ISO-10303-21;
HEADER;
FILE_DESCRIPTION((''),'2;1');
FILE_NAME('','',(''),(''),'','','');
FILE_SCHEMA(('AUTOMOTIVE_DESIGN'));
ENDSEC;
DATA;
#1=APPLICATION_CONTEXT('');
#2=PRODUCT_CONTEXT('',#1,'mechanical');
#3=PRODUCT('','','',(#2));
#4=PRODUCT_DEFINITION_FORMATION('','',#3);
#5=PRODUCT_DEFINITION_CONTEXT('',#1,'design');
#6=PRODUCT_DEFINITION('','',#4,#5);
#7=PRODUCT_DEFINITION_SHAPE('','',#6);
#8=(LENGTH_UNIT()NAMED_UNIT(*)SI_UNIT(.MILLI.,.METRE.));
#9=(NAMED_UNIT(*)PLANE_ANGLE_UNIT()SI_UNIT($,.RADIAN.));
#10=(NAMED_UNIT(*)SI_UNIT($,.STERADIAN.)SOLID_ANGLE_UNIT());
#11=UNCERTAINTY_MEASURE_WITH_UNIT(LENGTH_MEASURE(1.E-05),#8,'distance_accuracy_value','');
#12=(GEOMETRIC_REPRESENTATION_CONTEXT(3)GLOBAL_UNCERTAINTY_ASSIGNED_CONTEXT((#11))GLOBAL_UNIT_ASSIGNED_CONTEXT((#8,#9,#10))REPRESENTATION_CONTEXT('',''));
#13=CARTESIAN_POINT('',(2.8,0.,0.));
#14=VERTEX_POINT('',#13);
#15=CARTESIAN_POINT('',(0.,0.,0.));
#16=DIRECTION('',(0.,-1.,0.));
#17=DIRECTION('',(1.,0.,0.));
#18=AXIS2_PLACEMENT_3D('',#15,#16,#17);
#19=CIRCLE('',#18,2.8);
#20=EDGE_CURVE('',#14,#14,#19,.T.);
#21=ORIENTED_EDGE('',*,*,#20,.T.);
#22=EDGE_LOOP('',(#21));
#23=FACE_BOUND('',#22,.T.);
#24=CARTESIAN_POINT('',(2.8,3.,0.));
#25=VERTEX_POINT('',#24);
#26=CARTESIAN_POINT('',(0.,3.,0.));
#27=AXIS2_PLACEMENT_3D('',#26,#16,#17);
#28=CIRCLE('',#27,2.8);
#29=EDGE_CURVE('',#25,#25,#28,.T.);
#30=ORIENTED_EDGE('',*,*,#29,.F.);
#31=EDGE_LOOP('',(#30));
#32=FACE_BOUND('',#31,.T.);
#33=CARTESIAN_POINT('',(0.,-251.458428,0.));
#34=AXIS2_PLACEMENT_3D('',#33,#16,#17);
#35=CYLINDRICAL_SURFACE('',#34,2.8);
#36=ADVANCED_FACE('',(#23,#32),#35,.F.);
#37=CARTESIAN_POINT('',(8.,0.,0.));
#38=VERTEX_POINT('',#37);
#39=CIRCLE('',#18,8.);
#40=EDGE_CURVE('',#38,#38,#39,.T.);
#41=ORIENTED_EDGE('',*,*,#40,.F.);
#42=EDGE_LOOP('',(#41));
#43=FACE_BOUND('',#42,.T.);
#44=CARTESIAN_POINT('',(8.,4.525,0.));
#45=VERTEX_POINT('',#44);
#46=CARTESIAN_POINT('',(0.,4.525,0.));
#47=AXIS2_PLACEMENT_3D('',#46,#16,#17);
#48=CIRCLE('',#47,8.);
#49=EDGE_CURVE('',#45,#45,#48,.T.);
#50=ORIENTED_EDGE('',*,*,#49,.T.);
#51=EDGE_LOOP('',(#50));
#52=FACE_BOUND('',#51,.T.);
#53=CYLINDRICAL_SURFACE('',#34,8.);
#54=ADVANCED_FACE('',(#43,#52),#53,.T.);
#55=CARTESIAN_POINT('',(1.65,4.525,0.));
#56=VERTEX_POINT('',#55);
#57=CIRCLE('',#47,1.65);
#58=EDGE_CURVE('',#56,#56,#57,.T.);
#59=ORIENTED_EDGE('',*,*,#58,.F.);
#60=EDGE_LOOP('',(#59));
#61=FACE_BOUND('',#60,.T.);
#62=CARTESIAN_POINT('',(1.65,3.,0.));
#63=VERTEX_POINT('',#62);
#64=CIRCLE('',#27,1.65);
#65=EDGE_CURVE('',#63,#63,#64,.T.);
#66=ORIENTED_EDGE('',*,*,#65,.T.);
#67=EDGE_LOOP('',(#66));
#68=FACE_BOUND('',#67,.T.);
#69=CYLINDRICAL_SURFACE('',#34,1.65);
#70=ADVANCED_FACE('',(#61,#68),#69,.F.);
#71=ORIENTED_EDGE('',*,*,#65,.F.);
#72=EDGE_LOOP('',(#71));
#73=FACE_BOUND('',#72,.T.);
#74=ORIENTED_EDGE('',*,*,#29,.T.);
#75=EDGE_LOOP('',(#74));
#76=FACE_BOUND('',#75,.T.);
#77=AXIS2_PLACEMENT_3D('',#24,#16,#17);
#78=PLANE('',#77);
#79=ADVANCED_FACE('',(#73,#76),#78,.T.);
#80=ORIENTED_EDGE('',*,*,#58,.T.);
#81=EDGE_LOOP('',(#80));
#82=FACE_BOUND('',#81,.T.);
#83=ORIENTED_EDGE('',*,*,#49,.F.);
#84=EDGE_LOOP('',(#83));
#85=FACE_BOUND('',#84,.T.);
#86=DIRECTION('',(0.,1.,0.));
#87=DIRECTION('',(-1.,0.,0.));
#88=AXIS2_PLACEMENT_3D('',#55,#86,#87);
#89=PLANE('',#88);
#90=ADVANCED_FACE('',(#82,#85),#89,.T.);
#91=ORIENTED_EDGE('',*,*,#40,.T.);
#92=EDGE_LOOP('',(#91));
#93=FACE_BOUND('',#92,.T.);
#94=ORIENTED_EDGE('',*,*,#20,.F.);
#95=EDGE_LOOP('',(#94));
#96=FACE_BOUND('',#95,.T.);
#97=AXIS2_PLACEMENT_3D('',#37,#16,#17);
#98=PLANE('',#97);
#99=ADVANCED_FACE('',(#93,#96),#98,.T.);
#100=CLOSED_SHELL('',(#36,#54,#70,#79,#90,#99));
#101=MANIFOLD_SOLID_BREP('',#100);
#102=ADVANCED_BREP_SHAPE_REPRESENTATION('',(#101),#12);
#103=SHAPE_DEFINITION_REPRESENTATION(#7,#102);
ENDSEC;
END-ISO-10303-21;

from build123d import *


with BuildPart() as part:
    # Sketch1 → Revolve1 (revolve)
    with BuildSketch(Plane.XY):
        Polygon((2.8, 0), (2.8, 3), (1.65, 3), (1.65, 4.525), (8, 4.525), (8, 0), align=None)
    revolve(axis=Axis((0, -251.458428202, 0), (0, 1, 0)))


solid = part.part
